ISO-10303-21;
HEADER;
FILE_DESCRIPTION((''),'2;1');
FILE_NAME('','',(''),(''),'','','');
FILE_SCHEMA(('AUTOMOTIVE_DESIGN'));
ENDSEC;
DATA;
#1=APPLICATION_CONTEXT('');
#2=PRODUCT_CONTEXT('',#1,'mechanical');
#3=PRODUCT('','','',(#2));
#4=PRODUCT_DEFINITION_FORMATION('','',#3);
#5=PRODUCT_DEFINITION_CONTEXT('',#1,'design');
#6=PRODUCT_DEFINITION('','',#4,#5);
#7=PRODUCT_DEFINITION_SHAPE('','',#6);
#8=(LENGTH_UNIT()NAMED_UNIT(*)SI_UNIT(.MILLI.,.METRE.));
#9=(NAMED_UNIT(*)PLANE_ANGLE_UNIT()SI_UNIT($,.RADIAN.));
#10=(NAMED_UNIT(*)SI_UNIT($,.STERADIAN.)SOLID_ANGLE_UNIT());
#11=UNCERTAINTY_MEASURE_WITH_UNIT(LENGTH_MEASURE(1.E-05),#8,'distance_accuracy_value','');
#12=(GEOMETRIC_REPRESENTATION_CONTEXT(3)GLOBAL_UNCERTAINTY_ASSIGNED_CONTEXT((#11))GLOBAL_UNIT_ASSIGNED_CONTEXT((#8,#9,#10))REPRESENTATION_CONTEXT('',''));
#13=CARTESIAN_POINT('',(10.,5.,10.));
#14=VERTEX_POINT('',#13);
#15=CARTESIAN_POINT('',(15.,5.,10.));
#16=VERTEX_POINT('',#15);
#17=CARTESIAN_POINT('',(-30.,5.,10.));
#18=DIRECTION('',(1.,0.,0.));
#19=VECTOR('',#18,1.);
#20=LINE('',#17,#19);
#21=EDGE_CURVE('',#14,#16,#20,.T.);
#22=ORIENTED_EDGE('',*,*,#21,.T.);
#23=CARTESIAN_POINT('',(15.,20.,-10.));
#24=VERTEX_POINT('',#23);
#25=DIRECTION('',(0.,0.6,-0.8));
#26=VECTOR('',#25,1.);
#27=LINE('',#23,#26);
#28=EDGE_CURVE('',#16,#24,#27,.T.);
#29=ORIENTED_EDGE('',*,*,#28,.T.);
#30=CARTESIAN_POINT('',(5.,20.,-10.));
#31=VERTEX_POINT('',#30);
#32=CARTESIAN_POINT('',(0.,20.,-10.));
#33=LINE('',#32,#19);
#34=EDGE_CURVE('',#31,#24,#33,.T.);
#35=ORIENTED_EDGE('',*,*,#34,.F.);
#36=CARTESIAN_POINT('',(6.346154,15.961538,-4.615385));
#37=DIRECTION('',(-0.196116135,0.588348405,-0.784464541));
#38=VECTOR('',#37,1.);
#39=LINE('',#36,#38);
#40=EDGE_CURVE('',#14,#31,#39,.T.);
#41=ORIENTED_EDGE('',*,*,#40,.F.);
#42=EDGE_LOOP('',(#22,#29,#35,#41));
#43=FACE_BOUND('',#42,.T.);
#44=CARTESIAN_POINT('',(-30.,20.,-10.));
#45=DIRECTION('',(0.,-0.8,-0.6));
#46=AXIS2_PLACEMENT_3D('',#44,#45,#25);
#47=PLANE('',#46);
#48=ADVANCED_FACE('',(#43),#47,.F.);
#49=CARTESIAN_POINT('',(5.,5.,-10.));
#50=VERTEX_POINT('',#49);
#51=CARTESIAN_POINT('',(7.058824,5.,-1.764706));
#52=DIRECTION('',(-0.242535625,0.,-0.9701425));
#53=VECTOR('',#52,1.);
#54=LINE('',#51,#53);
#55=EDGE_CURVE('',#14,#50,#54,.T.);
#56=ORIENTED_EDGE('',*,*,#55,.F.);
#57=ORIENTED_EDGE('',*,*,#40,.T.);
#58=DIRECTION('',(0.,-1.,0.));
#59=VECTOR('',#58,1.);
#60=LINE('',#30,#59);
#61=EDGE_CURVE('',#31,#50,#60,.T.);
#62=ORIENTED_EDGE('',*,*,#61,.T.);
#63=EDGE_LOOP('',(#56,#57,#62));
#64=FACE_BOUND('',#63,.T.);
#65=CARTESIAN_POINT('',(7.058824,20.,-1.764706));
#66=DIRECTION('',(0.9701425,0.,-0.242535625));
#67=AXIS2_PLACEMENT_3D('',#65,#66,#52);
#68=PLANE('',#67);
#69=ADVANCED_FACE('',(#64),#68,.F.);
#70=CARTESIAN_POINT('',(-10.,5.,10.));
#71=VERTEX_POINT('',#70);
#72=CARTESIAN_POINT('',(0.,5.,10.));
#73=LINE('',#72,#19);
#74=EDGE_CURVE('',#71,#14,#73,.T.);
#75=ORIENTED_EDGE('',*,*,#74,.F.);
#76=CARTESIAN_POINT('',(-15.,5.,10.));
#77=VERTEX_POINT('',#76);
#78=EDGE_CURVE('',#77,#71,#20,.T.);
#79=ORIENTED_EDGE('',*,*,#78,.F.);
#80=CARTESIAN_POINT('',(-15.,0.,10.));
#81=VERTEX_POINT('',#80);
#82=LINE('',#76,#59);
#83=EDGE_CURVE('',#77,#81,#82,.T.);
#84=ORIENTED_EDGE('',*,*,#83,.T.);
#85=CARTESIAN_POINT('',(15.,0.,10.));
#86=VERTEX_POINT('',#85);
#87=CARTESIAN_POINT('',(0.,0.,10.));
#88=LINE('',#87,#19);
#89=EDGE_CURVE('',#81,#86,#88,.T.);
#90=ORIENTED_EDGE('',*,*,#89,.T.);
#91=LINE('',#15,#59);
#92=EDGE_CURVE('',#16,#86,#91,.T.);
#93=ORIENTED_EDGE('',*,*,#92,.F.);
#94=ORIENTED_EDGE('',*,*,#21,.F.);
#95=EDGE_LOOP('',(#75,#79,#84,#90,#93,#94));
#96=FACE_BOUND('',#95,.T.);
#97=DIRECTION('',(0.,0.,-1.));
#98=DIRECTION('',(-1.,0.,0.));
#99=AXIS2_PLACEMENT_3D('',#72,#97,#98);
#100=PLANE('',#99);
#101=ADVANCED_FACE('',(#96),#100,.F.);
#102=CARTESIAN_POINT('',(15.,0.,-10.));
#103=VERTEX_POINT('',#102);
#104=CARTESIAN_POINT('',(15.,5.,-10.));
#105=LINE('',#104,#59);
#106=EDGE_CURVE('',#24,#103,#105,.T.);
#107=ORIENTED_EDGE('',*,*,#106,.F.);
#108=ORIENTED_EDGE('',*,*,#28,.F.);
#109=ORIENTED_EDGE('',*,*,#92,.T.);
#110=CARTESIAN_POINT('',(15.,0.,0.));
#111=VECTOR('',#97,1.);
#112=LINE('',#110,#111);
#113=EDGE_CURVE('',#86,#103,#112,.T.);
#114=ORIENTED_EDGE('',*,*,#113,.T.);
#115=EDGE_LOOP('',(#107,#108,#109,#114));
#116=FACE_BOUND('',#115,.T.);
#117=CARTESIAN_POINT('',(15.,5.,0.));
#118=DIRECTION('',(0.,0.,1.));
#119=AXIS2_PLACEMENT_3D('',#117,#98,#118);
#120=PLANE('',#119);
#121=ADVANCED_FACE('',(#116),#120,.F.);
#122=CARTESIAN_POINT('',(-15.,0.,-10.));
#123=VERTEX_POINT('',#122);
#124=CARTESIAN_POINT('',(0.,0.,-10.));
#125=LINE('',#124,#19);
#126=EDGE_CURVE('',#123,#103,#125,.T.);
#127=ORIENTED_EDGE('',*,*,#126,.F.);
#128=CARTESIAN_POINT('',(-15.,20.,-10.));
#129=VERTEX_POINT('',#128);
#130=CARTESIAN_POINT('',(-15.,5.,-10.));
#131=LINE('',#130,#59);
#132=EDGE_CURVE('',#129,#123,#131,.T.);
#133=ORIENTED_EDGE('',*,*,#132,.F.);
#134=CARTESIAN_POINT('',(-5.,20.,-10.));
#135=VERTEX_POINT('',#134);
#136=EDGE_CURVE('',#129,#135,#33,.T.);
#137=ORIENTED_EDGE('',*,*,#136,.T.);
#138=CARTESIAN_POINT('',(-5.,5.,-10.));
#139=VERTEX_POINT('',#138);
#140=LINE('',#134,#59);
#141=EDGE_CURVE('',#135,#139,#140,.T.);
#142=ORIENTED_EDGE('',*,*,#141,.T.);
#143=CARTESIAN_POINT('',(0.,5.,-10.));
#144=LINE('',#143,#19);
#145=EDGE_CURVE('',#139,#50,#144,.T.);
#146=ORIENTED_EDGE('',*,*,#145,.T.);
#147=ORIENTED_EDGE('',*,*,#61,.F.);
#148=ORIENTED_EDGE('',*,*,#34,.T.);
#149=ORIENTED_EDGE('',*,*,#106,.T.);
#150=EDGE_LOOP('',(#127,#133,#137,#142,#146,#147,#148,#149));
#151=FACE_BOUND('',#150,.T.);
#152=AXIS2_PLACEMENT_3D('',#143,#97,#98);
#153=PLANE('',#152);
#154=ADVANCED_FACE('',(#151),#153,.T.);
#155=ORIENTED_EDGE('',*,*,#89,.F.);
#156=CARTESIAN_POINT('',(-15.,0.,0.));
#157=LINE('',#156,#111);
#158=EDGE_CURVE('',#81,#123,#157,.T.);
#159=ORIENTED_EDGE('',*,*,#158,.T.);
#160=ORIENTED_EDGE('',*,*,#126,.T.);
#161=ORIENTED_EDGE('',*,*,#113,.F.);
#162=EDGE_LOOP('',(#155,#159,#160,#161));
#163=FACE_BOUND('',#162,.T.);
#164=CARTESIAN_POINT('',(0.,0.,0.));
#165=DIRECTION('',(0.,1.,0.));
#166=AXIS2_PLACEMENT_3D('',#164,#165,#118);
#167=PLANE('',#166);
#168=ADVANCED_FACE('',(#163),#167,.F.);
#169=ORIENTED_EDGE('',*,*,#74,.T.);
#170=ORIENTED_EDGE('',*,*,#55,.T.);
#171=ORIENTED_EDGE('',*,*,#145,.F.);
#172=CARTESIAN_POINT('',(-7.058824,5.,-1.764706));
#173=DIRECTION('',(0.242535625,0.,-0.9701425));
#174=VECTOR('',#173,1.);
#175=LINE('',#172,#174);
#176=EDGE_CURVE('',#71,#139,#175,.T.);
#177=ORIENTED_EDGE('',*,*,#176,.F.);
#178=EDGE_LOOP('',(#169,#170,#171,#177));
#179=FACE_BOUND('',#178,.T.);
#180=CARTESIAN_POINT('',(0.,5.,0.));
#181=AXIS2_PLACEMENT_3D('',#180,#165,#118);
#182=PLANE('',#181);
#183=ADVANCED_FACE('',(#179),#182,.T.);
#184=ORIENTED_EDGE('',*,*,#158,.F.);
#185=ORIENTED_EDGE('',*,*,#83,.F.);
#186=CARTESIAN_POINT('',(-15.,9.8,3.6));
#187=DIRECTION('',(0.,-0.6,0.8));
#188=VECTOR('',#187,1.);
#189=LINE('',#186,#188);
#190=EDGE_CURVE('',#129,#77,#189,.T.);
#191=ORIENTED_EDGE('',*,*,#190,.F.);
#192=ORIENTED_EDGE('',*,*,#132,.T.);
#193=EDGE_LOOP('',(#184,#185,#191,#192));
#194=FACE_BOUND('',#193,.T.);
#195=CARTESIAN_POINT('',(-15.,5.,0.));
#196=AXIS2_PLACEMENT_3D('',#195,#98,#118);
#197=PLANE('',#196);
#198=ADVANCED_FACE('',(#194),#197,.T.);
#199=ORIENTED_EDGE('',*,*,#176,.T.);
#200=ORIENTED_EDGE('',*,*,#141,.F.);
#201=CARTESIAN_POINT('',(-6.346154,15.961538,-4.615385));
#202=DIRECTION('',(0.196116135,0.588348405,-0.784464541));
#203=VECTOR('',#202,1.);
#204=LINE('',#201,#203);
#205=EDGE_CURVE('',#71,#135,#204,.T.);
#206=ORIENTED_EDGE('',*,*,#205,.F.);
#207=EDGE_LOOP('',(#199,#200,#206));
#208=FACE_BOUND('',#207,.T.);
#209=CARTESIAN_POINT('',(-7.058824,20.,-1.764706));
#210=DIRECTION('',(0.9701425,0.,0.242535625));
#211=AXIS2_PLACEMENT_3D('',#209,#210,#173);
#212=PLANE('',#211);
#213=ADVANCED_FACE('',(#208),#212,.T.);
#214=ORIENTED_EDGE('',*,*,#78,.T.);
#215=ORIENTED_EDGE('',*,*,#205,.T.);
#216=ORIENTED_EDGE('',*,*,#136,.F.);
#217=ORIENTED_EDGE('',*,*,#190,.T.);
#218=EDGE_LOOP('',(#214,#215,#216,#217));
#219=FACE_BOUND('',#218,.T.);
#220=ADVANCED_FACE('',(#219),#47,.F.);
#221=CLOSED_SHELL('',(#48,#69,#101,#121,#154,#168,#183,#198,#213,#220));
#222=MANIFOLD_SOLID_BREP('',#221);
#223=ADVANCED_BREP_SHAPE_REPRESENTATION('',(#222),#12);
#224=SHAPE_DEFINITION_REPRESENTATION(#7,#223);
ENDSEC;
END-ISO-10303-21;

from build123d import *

# Parameters (mm, degrees)
SKETCH_1_W          = 30
SKETCH_1_H          = 20
EXTRUDE_1_DEPTH     = 5
EXTRUDE_2_DEPTH     = 20
CUT_EXTRUDE_1_DEPTH = 45


with BuildPart() as part:
    # 草圖1 → 填料-伸長1 (new body)
    with BuildSketch(Plane(origin=(0, 0, 0), x_dir=(1, 0, 0), z_dir=(0, 1, 0))):
        Rectangle(SKETCH_1_W, SKETCH_1_H)
    extrude(amount=EXTRUDE_1_DEPTH)

    # 草圖1<3> → 填料-伸長2 (add)
    with BuildSketch(Plane(origin=(0, 0, 0), x_dir=(1, 0, 0), z_dir=(0, 1, 0))):
        Polygon((-10, -10), (-5, 10), (-15, 10), (-15, -10), align=None)
        Polygon((15, 10), (5, 10), (10, -10), (15, -10), align=None)
    extrude(amount=EXTRUDE_2_DEPTH)

    # 草圖2 → 除料-伸長1 (cut)
    with BuildSketch(Plane(origin=(15, 0, 0), x_dir=(0, 0, -1), z_dir=(1, 0, 0))):
        Polygon((10, 20), (-10, 5), (-10, 20), align=None)
    extrude(amount=-CUT_EXTRUDE_1_DEPTH, mode=Mode.SUBTRACT)


solid = part.part
